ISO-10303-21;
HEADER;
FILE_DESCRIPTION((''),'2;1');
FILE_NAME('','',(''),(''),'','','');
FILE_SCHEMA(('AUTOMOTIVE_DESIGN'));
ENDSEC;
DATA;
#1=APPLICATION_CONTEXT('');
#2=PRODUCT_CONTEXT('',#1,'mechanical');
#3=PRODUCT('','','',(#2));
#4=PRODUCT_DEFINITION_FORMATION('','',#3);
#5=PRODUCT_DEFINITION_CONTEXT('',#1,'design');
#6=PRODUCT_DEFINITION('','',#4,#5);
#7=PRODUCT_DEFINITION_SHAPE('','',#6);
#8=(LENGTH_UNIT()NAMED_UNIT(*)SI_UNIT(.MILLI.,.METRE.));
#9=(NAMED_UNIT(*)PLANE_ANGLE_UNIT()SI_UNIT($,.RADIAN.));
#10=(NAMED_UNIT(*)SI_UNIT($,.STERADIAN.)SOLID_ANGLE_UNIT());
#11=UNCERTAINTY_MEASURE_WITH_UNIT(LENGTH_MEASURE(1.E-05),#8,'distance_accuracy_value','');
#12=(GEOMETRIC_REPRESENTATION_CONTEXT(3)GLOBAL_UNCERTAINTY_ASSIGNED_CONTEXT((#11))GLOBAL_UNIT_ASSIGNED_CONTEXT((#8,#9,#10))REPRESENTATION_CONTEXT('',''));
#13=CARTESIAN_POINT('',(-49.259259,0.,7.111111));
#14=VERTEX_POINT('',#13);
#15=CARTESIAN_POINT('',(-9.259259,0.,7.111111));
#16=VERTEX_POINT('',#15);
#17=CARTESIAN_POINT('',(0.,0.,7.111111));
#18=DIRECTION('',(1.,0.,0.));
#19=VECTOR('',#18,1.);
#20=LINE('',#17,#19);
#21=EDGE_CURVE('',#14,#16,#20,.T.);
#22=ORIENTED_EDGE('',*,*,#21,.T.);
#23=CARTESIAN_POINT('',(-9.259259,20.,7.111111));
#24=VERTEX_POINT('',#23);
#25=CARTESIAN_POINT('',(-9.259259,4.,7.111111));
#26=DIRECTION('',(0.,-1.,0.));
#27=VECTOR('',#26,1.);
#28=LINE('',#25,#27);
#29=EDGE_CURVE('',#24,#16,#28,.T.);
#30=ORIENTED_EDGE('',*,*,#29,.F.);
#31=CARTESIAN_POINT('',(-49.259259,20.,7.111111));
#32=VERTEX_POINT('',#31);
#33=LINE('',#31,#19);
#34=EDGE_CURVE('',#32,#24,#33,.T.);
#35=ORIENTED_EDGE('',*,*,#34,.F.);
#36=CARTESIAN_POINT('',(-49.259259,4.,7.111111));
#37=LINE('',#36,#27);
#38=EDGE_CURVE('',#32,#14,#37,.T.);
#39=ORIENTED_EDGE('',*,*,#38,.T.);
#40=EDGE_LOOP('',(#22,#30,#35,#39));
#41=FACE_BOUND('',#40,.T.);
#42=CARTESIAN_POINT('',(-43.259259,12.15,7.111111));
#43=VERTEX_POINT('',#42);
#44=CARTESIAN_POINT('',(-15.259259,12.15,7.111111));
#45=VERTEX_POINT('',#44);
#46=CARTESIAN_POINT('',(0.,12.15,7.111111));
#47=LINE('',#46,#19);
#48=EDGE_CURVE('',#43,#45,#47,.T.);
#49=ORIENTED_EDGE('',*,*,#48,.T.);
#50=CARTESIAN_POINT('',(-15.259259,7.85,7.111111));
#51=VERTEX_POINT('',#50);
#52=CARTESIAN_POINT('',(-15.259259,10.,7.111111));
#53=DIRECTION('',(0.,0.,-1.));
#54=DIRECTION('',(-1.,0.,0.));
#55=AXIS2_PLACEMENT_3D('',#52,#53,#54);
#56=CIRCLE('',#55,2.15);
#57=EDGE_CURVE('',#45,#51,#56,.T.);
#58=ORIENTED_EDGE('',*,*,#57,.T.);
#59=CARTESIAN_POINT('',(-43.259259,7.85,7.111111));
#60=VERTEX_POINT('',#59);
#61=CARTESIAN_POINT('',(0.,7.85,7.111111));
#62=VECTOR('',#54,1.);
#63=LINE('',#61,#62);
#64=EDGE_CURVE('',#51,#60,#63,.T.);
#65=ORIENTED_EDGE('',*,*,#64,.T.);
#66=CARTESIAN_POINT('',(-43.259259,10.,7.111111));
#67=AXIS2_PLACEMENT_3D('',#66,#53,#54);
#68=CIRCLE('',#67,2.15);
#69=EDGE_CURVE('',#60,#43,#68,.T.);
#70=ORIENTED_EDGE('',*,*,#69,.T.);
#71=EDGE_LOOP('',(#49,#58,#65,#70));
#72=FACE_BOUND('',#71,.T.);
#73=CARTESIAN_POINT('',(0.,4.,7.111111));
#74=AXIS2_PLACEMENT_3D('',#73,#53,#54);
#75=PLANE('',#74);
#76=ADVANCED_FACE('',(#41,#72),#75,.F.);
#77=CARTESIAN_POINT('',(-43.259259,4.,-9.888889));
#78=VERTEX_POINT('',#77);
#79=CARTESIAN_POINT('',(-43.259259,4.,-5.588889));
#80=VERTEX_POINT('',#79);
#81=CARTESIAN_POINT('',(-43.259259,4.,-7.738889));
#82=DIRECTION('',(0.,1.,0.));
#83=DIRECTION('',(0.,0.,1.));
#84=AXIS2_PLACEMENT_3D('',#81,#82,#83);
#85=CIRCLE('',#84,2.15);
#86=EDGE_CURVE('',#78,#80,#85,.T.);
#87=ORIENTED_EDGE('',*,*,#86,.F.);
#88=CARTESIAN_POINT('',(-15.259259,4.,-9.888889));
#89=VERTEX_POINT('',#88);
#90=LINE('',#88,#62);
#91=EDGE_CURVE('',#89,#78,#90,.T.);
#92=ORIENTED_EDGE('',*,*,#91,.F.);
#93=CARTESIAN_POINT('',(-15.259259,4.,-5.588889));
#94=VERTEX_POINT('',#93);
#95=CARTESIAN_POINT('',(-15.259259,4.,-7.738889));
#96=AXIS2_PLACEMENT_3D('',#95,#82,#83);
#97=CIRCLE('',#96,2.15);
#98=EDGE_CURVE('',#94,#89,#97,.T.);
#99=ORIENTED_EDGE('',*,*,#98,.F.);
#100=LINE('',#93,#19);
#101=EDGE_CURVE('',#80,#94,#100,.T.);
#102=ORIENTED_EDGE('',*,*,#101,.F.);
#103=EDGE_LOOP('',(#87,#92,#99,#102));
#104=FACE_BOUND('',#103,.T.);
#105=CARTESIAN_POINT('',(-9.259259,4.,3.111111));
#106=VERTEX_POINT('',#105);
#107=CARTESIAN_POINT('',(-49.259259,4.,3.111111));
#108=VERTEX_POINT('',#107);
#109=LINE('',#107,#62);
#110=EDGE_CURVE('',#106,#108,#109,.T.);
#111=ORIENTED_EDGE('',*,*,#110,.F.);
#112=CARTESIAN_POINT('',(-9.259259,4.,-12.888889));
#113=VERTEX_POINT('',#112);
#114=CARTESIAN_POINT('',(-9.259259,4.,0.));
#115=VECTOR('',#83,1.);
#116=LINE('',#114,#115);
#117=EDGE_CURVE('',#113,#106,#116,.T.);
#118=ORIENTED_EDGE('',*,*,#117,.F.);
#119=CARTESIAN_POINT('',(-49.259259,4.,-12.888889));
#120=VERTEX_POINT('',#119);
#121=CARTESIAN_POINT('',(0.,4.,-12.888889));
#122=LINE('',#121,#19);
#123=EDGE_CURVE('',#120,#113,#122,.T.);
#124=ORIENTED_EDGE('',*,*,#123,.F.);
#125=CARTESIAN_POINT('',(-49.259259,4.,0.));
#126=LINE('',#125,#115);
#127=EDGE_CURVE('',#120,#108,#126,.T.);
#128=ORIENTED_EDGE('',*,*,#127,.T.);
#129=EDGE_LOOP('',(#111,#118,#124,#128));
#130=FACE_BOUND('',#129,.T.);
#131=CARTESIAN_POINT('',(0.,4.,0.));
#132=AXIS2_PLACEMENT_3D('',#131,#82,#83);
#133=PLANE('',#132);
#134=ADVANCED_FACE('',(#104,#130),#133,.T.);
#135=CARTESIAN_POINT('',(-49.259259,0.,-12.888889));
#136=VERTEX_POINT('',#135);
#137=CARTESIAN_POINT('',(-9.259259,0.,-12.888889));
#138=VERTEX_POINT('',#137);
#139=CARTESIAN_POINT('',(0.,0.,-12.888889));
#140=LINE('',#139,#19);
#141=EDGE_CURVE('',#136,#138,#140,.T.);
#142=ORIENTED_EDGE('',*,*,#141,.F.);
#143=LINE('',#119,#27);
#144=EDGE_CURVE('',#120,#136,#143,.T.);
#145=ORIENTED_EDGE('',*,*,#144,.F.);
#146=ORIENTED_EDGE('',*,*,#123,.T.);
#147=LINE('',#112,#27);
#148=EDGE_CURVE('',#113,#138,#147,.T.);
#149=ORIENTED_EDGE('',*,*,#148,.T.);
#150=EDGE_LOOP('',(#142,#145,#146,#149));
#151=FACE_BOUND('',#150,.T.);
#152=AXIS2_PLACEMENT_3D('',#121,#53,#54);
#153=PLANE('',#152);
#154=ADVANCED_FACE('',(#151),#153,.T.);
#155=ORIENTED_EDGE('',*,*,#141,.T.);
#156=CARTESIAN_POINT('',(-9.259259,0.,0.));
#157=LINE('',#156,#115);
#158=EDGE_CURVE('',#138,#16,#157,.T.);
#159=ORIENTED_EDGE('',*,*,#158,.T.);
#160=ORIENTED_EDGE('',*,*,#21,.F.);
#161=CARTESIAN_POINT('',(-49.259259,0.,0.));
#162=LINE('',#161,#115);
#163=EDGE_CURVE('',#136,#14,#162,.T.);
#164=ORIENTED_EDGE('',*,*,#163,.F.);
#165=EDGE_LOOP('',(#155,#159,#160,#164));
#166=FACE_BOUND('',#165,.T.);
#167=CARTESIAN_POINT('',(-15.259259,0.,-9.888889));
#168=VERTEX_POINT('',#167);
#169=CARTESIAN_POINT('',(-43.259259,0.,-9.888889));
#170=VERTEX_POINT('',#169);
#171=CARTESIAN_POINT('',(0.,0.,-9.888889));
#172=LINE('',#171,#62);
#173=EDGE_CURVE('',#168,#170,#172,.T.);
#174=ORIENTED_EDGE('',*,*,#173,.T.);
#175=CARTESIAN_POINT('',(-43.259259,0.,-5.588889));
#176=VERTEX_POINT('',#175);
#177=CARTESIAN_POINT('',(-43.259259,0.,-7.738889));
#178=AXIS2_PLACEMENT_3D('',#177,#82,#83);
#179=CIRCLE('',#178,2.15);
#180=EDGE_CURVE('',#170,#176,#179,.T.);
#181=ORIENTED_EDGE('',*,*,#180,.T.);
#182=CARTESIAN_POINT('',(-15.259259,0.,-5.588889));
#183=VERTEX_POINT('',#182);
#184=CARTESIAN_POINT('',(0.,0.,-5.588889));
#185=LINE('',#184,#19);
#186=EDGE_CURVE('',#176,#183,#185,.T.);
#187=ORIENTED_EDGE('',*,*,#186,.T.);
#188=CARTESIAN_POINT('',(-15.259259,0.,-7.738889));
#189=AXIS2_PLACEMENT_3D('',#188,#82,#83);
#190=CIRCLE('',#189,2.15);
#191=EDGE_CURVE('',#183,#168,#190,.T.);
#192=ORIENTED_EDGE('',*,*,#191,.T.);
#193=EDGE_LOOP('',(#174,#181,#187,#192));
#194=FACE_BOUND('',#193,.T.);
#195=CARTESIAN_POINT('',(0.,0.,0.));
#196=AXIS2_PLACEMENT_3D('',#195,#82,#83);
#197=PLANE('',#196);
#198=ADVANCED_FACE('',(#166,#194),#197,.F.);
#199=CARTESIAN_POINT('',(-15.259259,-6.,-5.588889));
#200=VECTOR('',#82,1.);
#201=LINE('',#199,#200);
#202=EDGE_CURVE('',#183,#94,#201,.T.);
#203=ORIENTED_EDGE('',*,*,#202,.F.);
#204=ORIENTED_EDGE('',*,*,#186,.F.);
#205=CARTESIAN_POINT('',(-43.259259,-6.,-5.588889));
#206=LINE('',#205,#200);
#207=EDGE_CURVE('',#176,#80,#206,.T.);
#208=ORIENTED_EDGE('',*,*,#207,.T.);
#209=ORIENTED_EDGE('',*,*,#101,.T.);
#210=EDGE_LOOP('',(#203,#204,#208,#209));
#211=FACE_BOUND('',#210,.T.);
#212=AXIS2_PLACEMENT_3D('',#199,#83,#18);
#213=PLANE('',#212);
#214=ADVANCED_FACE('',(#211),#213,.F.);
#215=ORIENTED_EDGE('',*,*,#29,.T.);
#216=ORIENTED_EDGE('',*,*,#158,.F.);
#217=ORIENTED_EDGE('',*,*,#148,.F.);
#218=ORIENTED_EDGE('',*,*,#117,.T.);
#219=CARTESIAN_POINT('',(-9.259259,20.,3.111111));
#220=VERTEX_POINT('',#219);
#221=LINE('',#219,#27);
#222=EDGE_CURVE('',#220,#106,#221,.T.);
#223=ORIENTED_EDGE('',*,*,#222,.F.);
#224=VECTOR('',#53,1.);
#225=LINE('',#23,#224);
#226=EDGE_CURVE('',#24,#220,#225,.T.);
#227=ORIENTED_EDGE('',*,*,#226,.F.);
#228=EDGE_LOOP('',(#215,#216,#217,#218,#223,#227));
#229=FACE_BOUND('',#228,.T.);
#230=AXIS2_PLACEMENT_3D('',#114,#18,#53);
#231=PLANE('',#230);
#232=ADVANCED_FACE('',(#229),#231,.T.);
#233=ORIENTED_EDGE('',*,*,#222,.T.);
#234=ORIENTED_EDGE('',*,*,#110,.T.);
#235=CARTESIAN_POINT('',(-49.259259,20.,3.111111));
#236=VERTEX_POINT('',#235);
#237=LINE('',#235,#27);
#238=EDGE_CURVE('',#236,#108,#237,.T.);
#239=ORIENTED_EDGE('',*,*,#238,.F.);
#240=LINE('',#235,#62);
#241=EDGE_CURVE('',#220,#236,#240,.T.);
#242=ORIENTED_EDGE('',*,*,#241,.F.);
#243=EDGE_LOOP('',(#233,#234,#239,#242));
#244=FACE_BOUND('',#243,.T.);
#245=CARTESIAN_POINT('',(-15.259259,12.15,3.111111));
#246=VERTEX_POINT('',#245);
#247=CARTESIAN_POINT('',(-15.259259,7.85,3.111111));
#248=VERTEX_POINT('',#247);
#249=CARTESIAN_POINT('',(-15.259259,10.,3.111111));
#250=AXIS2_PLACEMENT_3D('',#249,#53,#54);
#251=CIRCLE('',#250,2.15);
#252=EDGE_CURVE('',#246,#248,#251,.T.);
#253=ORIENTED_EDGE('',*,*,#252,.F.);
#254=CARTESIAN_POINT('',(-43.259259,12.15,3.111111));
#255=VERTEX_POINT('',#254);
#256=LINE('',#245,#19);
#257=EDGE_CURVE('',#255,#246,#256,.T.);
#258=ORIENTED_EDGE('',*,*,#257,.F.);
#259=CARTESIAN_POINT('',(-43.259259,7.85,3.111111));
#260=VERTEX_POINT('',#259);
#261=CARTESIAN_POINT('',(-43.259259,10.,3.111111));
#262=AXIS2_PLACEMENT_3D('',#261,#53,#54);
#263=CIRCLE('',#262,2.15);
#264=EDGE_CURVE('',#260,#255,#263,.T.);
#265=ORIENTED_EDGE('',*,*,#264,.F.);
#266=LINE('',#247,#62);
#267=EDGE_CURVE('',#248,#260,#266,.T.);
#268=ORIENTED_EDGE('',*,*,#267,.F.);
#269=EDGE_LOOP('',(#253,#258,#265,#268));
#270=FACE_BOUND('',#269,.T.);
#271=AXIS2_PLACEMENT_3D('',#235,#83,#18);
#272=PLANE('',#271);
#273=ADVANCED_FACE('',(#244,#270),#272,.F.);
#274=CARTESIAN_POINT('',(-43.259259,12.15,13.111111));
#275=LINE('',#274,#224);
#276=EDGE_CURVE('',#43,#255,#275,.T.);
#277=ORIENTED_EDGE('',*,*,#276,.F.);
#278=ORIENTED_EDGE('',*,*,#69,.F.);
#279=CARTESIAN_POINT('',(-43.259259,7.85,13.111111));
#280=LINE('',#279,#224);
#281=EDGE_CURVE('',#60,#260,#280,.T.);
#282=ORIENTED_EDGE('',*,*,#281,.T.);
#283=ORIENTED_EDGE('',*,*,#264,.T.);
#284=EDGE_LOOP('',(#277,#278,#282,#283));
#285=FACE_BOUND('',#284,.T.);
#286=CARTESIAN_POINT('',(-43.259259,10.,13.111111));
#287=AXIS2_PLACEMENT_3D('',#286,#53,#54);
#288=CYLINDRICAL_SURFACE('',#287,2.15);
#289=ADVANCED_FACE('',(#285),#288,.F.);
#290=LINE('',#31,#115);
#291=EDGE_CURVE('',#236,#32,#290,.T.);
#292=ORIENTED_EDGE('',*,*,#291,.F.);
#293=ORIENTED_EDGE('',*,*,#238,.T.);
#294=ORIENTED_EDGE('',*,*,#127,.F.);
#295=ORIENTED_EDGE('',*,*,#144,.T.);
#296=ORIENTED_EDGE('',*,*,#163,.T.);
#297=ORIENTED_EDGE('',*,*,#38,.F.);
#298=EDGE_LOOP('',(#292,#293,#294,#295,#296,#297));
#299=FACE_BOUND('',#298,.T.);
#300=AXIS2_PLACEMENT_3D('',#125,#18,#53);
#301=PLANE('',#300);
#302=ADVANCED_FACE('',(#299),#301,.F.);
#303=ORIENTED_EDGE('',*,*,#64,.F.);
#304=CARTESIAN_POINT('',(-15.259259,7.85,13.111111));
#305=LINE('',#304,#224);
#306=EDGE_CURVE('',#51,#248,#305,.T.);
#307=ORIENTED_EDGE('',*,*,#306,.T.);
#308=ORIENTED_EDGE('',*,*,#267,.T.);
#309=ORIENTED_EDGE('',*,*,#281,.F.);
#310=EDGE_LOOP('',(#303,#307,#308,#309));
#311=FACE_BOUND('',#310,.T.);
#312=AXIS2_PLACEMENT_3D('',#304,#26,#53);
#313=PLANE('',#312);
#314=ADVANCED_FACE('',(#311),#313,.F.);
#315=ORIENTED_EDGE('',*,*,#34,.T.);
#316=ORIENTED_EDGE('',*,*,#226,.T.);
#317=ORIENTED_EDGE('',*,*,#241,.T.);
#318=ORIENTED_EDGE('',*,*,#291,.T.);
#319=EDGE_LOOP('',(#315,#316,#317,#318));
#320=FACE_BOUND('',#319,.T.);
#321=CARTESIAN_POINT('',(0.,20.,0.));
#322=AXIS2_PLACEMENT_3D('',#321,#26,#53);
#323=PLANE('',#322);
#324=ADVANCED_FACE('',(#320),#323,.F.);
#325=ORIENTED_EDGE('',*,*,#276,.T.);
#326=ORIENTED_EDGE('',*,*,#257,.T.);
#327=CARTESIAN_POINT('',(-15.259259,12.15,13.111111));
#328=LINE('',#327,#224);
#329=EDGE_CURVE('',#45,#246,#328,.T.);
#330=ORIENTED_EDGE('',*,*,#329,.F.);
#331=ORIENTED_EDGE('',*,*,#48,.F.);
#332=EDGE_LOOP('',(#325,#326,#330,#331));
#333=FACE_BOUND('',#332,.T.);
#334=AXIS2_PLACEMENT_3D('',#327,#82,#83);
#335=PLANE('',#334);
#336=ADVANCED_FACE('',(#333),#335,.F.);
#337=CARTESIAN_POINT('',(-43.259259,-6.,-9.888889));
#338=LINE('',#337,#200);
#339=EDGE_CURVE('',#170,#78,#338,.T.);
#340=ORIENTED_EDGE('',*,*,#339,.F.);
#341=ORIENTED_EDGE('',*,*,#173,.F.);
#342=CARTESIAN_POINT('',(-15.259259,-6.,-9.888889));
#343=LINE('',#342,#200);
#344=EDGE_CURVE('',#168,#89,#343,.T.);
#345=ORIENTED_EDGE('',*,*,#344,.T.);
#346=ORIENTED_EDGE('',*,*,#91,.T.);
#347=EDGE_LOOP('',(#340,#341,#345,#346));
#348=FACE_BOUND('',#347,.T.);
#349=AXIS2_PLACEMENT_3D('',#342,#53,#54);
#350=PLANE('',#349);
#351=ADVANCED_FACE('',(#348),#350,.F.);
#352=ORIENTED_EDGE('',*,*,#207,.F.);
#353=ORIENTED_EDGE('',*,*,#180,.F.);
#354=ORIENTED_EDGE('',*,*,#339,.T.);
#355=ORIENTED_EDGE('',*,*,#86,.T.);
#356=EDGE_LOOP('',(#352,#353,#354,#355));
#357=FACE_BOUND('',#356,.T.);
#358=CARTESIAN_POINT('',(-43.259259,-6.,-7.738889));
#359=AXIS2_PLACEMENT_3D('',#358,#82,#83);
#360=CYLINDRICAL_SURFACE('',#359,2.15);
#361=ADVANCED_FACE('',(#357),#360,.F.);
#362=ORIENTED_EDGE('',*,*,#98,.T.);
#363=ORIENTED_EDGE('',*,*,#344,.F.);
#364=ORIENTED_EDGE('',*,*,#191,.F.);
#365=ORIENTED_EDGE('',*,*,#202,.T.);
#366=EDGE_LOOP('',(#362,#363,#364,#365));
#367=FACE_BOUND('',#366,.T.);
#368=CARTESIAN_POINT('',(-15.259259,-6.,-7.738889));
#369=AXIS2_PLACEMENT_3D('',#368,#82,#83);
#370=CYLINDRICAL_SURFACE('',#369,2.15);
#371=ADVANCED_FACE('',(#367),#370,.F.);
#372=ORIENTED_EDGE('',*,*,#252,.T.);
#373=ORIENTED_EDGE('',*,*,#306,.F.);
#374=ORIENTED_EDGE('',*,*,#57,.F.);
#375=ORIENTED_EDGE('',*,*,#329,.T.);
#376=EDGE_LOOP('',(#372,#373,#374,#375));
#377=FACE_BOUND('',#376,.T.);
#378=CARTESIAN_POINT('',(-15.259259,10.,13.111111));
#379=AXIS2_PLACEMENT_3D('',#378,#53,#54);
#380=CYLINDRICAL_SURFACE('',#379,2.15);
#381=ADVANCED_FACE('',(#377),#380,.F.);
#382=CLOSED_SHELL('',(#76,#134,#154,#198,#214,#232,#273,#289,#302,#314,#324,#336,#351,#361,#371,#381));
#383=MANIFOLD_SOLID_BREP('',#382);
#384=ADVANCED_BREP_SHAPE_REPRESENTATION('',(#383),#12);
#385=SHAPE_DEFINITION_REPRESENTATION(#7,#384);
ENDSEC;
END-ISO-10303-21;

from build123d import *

# Parameters (mm, degrees)
SKETCH1_W           = 40
SKETCH1_H           = 20
BOSS_EXTRUDE1_DEPTH = 4
SKETCH5_W           = 40
SKETCH5_H           = 4
BOSS_EXTRUDE2_DEPTH = 16
CUT_EXTRUDE3_DEPTH  = 10
CUT_EXTRUDE5_DEPTH  = 10


with BuildPart() as part:
    # Sketch1 → Boss-Extrude1 (new body)
    with BuildSketch(Plane(origin=(0, 0, 0), x_dir=(1, 0, 0), z_dir=(0, 1, 0))):
        with Locations((-29.259259259, 2.888888889)):
            Rectangle(SKETCH1_W, SKETCH1_H)
    extrude(amount=BOSS_EXTRUDE1_DEPTH)

    # Sketch5 → Boss-Extrude2 (add)
    with BuildSketch(Plane(origin=(0, 4, 0), x_dir=(1, 0, 0), z_dir=(0, 1, 0))):
        with Locations((-29.259259259, -5.111111111)):
            Rectangle(SKETCH5_W, SKETCH5_H)
    extrude(amount=BOSS_EXTRUDE2_DEPTH)

    # Sketch7 → Cut-Extrude3 (cut)
    with BuildSketch(Plane(origin=(0, 4, 0), x_dir=(1, 0, 0), z_dir=(0, 1, 0))):
        with BuildLine():
            Line((-15.259259259, 5.588888889), (-43.259259259, 5.588888889))
            ThreePointArc((-43.259259259, 5.588888889), (-45.409259259, 7.738888889), (-43.259259259, 9.888888889))
            Line((-43.259259259, 9.888888889), (-15.259259259, 9.888888889))
            ThreePointArc((-15.259259259, 9.888888889), (-13.109259259, 7.738888889), (-15.259259259, 5.588888889))
        make_face()
    extrude(amount=-CUT_EXTRUDE3_DEPTH, mode=Mode.SUBTRACT)

    # Sketch8 → Cut-Extrude5 (cut)
    with BuildSketch(Plane(origin=(0, 0, 3.111111111), x_dir=(-1, 0, 0), z_dir=(0, 0, -1))):
        with BuildLine():
            Line((15.259259259, 12.15), (43.259259259, 12.15))
            ThreePointArc((43.259259259, 12.15), (45.409259259, 10), (43.259259259, 7.85))
            Line((43.259259259, 7.85), (15.259259259, 7.85))
            ThreePointArc((15.259259259, 7.85), (13.109259259, 10), (15.259259259, 12.15))
        make_face()
    extrude(amount=-CUT_EXTRUDE5_DEPTH, mode=Mode.SUBTRACT)


solid = part.part
